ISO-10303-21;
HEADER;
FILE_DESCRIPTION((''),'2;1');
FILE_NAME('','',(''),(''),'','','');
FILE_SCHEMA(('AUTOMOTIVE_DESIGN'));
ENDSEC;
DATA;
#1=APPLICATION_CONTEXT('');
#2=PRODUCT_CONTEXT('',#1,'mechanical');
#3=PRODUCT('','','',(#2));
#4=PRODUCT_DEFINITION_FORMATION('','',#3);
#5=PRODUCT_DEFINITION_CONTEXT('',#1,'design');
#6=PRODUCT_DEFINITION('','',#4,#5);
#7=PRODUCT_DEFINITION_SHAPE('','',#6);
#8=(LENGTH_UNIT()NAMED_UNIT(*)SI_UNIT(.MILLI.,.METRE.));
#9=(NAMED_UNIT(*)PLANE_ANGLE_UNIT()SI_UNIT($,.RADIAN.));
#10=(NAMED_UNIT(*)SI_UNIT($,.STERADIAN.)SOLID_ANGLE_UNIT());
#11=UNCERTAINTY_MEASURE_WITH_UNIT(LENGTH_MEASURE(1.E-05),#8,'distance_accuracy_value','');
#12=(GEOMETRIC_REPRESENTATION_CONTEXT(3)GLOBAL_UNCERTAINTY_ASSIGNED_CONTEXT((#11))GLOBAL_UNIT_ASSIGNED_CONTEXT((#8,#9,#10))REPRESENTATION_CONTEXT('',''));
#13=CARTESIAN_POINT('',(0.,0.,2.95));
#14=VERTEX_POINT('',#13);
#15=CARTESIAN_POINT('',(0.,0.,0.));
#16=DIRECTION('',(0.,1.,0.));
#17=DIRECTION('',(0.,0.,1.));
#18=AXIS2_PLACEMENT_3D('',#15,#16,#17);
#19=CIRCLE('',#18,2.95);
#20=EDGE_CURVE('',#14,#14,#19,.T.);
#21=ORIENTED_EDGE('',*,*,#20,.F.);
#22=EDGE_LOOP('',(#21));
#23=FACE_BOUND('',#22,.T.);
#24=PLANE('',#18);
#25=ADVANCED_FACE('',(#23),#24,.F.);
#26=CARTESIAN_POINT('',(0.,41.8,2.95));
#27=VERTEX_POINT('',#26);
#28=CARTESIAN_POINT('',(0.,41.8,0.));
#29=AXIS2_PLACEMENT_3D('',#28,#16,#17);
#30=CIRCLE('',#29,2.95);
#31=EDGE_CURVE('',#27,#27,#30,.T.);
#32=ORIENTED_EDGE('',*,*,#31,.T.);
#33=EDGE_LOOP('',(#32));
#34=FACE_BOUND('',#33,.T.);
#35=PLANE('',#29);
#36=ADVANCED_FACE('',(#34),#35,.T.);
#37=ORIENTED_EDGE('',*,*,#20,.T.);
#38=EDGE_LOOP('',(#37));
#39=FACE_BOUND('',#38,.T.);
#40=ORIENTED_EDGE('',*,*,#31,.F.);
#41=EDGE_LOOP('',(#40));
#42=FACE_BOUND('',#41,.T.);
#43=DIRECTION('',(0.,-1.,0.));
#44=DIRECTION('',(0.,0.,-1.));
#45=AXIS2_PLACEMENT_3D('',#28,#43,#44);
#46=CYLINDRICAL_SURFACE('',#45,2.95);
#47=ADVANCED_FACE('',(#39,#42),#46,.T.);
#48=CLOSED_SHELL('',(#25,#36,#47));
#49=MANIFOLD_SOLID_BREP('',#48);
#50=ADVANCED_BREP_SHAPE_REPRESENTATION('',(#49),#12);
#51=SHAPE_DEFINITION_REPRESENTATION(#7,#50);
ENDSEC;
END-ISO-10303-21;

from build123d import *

# Parameters (mm, degrees)
SKETCH2_R           = 2.95
BOSS_EXTRUDE1_DEPTH = 41.8


with BuildPart() as part:
    # Sketch2 → Boss-Extrude1 (new body)
    with BuildSketch(Plane(origin=(0, 0, 0), x_dir=(1, 0, 0), z_dir=(0, 1, 0))):
        Circle(SKETCH2_R)
    extrude(amount=BOSS_EXTRUDE1_DEPTH)


solid = part.part
